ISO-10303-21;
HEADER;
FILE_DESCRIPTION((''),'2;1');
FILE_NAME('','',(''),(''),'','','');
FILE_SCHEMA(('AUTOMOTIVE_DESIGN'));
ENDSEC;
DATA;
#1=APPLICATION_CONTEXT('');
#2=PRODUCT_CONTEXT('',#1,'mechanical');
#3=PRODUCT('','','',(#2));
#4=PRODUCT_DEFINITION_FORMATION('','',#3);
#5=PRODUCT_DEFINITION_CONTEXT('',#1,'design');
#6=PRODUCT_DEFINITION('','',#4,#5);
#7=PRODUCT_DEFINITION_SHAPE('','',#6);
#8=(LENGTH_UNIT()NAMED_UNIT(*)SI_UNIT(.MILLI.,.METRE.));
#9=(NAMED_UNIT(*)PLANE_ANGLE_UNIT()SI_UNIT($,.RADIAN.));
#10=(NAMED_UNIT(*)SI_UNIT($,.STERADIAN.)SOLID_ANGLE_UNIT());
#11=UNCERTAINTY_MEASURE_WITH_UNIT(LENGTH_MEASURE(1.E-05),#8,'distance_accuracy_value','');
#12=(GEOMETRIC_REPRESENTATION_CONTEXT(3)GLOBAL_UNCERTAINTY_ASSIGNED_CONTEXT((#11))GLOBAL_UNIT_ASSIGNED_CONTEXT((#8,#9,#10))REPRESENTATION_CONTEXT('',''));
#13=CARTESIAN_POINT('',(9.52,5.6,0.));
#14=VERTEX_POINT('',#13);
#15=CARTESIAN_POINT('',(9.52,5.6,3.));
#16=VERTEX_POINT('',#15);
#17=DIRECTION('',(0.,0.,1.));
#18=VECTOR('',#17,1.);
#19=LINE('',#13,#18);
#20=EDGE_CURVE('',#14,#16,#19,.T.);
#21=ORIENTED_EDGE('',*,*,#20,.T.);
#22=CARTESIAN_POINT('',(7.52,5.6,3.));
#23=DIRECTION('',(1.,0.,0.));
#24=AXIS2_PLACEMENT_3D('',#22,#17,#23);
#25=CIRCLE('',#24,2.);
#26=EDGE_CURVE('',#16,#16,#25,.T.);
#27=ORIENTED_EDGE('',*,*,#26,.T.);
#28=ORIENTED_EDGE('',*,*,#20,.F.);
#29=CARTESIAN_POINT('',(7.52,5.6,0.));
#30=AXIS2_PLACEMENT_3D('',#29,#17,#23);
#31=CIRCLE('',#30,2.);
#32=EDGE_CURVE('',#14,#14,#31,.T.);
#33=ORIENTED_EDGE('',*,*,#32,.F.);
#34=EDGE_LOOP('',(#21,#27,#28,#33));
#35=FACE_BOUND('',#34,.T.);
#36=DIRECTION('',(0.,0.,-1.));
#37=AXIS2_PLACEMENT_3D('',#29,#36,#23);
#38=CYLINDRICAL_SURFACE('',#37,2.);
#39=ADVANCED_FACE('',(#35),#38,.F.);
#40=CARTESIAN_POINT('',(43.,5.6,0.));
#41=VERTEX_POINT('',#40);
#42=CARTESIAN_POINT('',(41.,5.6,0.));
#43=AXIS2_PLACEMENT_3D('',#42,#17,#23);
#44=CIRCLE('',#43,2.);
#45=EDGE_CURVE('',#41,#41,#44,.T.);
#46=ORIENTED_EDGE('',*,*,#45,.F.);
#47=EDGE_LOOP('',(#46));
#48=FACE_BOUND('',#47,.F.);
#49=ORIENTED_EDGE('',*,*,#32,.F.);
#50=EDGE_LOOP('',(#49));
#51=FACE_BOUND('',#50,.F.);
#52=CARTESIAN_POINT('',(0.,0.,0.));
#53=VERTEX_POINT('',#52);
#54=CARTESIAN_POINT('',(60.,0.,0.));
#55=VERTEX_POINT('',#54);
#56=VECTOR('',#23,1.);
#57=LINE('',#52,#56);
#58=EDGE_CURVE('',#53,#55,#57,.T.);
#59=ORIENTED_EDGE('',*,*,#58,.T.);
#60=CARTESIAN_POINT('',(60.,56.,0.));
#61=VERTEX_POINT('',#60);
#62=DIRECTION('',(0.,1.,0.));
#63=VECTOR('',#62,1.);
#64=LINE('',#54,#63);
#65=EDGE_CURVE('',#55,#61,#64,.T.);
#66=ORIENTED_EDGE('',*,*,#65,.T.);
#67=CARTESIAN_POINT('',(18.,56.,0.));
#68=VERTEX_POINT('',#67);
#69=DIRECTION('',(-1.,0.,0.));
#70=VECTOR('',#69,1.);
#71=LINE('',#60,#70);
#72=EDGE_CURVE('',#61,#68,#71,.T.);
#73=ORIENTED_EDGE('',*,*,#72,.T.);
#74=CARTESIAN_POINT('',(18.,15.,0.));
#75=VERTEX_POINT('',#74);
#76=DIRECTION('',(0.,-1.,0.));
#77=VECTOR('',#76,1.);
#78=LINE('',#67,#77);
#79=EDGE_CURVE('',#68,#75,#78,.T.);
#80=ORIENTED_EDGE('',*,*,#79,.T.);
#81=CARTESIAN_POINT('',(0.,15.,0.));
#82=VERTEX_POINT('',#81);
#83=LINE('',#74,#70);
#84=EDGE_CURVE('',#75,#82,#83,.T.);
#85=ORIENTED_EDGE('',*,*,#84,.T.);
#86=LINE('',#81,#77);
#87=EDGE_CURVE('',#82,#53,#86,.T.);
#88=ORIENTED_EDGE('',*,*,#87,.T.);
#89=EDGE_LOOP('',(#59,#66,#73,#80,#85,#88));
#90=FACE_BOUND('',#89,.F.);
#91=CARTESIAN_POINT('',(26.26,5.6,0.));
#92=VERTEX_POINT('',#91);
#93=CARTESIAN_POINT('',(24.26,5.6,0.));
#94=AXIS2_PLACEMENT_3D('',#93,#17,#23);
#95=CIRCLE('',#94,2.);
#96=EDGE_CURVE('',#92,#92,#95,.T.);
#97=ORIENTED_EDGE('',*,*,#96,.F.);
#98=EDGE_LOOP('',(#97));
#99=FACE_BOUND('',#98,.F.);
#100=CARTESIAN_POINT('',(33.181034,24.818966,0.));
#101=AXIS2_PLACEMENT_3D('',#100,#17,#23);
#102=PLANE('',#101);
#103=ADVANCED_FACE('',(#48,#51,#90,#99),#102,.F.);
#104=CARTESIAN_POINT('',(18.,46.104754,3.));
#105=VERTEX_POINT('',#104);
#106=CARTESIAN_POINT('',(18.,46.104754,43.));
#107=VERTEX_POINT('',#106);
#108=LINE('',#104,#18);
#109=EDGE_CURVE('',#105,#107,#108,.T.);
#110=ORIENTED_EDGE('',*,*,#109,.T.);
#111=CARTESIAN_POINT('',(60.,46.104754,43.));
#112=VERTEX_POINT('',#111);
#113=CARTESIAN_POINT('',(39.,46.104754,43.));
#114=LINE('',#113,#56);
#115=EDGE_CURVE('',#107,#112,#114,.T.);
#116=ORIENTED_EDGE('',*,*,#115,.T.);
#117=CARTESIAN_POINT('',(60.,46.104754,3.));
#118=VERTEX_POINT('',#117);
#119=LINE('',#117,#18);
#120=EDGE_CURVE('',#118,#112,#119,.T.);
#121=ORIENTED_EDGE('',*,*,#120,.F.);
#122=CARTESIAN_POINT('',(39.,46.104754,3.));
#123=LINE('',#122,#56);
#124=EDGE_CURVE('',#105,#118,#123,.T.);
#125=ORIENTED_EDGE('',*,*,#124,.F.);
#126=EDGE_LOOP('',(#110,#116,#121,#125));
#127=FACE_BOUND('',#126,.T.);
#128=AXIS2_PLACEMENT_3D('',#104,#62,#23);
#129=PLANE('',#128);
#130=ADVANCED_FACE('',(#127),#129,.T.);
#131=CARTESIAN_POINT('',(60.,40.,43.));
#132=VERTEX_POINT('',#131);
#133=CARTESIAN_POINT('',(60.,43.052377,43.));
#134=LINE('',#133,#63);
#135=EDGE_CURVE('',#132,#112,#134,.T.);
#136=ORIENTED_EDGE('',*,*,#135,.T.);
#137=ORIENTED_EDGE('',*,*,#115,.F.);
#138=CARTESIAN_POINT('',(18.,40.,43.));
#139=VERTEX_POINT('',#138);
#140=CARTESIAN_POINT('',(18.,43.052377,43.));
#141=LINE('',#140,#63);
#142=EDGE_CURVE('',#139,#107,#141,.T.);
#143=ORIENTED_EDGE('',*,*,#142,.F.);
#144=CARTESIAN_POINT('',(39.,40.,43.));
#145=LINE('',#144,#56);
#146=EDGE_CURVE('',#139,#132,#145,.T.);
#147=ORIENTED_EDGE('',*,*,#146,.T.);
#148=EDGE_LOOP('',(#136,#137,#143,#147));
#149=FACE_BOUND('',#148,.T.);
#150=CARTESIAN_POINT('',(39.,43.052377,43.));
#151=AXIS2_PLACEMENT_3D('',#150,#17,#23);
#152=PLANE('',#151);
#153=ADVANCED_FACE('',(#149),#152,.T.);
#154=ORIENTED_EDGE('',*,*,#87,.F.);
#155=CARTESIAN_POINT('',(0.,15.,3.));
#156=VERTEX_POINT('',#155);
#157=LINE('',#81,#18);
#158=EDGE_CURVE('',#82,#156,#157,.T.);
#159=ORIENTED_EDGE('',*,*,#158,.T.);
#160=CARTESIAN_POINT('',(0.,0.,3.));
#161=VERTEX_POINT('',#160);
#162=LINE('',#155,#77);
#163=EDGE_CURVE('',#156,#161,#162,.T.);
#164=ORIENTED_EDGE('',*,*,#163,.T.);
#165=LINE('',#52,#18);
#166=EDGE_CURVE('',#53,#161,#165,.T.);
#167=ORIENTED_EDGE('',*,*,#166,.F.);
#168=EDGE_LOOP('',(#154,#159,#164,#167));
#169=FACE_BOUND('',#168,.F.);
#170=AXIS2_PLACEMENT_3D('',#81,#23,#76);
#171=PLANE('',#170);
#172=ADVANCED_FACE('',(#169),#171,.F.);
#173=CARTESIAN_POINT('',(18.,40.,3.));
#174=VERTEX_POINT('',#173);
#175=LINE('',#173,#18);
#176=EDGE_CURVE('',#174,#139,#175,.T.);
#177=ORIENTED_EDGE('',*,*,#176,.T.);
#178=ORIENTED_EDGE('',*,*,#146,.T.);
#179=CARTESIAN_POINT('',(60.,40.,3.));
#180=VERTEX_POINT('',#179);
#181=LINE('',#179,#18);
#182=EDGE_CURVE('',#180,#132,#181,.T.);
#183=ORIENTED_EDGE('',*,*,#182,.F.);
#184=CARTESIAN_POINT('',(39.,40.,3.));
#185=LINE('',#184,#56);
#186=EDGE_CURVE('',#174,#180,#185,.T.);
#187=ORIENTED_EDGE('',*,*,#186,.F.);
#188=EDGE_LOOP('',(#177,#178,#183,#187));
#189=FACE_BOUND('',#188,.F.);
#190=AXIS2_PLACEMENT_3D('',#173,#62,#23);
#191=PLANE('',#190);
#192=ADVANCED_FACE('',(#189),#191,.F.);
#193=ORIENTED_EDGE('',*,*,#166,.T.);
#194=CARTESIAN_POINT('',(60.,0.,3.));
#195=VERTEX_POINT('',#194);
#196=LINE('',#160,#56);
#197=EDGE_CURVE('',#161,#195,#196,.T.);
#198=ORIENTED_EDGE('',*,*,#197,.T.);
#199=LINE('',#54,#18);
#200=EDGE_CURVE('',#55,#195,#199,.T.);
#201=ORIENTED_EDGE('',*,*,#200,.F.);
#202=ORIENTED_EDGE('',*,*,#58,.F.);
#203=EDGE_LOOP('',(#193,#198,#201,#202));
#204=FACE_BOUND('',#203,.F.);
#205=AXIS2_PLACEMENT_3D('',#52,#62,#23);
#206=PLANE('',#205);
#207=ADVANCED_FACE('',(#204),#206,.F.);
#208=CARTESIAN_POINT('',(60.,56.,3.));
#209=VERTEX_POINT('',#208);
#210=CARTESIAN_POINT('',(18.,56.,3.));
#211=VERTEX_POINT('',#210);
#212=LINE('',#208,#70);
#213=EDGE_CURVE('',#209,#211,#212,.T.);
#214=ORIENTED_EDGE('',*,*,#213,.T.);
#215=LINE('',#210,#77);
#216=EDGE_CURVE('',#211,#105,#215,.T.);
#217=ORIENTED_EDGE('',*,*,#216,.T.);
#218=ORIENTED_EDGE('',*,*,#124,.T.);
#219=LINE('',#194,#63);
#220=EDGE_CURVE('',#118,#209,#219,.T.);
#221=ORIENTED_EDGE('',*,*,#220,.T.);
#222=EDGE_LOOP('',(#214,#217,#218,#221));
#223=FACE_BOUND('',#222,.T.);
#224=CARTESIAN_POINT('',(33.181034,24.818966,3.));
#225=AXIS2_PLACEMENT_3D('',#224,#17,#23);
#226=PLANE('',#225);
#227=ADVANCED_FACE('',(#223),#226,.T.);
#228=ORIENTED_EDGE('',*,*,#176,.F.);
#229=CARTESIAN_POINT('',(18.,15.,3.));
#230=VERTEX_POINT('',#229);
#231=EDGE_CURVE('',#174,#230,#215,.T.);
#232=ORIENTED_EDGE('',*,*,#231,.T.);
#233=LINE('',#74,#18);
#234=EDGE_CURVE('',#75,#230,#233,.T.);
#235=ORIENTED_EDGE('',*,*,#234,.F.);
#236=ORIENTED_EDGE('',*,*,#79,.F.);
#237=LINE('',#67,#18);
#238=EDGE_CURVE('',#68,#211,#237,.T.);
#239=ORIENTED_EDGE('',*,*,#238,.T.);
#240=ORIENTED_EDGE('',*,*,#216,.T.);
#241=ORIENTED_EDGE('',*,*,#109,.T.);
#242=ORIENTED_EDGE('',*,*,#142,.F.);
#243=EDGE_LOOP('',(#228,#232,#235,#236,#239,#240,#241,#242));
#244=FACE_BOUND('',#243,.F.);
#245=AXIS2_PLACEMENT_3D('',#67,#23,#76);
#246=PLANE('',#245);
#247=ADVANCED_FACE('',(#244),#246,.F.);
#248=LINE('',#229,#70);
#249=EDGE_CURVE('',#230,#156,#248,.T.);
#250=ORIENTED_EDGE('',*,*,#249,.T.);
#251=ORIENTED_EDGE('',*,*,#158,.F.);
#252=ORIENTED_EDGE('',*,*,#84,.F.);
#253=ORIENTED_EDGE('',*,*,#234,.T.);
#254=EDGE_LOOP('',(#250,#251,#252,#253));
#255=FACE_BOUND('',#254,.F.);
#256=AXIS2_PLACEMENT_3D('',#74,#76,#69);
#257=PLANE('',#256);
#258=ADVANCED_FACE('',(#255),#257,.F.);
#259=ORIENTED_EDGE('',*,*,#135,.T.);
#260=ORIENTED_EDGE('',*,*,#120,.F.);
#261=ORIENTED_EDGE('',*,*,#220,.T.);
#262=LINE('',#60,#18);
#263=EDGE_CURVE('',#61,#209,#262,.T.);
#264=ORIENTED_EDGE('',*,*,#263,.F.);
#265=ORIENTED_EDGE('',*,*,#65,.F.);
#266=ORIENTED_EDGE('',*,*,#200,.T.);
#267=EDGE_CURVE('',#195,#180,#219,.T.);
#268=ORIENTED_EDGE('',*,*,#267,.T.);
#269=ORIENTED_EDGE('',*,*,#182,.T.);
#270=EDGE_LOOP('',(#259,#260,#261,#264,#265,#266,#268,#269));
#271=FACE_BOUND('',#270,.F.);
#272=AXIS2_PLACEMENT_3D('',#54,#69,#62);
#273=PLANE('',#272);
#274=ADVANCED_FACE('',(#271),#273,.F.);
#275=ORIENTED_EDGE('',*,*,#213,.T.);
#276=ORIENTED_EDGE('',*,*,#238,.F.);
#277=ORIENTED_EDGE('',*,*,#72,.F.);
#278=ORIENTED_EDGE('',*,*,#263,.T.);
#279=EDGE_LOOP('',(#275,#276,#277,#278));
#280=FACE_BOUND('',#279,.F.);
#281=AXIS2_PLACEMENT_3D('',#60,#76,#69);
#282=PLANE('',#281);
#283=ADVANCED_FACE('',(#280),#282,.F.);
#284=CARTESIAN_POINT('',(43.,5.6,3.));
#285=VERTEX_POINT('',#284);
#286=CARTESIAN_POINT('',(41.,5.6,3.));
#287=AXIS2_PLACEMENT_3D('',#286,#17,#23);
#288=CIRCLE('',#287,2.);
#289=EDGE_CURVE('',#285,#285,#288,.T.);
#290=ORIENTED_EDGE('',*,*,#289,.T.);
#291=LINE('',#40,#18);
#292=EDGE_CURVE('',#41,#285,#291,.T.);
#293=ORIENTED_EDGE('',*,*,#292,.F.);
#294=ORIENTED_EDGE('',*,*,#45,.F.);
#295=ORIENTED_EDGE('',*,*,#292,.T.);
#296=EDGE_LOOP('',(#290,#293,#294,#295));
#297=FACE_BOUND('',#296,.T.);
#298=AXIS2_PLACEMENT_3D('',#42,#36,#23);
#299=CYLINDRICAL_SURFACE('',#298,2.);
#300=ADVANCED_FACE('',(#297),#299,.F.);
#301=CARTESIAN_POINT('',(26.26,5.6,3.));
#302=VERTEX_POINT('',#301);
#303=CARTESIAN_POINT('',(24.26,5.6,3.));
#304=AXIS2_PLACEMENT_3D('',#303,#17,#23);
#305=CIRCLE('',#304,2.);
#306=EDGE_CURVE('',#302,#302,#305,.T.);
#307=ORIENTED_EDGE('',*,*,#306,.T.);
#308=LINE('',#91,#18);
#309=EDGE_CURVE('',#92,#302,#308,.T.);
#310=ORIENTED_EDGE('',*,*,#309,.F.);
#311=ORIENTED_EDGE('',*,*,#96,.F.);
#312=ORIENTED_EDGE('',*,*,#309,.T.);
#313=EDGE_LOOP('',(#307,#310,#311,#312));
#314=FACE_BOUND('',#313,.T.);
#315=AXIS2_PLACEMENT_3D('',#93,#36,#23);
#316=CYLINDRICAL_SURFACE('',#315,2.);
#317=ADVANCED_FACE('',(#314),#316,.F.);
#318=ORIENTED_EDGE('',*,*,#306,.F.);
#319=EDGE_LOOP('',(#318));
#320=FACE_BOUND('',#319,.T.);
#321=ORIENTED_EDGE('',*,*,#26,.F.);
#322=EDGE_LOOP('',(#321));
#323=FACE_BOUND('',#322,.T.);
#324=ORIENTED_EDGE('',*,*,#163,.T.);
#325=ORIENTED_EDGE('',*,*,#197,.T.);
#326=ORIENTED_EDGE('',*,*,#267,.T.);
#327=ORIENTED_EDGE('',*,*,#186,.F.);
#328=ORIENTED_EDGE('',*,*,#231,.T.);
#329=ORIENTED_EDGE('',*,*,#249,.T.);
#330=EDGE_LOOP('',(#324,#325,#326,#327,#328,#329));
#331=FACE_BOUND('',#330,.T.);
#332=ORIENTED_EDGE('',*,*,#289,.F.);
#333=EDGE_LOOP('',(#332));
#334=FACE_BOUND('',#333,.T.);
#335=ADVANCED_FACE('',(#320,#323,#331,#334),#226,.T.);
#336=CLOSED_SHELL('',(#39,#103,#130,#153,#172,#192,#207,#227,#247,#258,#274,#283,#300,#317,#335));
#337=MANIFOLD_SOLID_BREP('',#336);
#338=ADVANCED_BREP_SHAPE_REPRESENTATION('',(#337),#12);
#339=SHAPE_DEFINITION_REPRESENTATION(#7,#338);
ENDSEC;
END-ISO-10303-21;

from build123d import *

# Parameters (mm, degrees)
SKETCH_R     = 2
PAD_DEPTH    = 3
SKETCH001_W  = 42
SKETCH001_H  = 6.104755
PAD001_DEPTH = 40


with BuildPart() as part:
    # Sketch → Pad (new body)
    with BuildSketch(Plane.XY):
        Polygon((0, 0), (60, 0), (60, 56), (18, 56), (18, 15), (0, 15), align=None)
        with Locations((24.26, 5.6)):
            Circle(SKETCH_R, mode=Mode.SUBTRACT)
        with Locations((41, 5.6)):
            Circle(SKETCH_R, mode=Mode.SUBTRACT)
        with Locations((7.52, 5.6)):
            Circle(SKETCH_R, mode=Mode.SUBTRACT)
    extrude(amount=PAD_DEPTH)

    # Sketch001 → Pad001 (new body)
    with BuildSketch(Plane.XY.offset(3)):
        with Locations((39, 43.052377)):
            Rectangle(SKETCH001_W, SKETCH001_H)
    extrude(amount=PAD001_DEPTH)


solid = part.part
